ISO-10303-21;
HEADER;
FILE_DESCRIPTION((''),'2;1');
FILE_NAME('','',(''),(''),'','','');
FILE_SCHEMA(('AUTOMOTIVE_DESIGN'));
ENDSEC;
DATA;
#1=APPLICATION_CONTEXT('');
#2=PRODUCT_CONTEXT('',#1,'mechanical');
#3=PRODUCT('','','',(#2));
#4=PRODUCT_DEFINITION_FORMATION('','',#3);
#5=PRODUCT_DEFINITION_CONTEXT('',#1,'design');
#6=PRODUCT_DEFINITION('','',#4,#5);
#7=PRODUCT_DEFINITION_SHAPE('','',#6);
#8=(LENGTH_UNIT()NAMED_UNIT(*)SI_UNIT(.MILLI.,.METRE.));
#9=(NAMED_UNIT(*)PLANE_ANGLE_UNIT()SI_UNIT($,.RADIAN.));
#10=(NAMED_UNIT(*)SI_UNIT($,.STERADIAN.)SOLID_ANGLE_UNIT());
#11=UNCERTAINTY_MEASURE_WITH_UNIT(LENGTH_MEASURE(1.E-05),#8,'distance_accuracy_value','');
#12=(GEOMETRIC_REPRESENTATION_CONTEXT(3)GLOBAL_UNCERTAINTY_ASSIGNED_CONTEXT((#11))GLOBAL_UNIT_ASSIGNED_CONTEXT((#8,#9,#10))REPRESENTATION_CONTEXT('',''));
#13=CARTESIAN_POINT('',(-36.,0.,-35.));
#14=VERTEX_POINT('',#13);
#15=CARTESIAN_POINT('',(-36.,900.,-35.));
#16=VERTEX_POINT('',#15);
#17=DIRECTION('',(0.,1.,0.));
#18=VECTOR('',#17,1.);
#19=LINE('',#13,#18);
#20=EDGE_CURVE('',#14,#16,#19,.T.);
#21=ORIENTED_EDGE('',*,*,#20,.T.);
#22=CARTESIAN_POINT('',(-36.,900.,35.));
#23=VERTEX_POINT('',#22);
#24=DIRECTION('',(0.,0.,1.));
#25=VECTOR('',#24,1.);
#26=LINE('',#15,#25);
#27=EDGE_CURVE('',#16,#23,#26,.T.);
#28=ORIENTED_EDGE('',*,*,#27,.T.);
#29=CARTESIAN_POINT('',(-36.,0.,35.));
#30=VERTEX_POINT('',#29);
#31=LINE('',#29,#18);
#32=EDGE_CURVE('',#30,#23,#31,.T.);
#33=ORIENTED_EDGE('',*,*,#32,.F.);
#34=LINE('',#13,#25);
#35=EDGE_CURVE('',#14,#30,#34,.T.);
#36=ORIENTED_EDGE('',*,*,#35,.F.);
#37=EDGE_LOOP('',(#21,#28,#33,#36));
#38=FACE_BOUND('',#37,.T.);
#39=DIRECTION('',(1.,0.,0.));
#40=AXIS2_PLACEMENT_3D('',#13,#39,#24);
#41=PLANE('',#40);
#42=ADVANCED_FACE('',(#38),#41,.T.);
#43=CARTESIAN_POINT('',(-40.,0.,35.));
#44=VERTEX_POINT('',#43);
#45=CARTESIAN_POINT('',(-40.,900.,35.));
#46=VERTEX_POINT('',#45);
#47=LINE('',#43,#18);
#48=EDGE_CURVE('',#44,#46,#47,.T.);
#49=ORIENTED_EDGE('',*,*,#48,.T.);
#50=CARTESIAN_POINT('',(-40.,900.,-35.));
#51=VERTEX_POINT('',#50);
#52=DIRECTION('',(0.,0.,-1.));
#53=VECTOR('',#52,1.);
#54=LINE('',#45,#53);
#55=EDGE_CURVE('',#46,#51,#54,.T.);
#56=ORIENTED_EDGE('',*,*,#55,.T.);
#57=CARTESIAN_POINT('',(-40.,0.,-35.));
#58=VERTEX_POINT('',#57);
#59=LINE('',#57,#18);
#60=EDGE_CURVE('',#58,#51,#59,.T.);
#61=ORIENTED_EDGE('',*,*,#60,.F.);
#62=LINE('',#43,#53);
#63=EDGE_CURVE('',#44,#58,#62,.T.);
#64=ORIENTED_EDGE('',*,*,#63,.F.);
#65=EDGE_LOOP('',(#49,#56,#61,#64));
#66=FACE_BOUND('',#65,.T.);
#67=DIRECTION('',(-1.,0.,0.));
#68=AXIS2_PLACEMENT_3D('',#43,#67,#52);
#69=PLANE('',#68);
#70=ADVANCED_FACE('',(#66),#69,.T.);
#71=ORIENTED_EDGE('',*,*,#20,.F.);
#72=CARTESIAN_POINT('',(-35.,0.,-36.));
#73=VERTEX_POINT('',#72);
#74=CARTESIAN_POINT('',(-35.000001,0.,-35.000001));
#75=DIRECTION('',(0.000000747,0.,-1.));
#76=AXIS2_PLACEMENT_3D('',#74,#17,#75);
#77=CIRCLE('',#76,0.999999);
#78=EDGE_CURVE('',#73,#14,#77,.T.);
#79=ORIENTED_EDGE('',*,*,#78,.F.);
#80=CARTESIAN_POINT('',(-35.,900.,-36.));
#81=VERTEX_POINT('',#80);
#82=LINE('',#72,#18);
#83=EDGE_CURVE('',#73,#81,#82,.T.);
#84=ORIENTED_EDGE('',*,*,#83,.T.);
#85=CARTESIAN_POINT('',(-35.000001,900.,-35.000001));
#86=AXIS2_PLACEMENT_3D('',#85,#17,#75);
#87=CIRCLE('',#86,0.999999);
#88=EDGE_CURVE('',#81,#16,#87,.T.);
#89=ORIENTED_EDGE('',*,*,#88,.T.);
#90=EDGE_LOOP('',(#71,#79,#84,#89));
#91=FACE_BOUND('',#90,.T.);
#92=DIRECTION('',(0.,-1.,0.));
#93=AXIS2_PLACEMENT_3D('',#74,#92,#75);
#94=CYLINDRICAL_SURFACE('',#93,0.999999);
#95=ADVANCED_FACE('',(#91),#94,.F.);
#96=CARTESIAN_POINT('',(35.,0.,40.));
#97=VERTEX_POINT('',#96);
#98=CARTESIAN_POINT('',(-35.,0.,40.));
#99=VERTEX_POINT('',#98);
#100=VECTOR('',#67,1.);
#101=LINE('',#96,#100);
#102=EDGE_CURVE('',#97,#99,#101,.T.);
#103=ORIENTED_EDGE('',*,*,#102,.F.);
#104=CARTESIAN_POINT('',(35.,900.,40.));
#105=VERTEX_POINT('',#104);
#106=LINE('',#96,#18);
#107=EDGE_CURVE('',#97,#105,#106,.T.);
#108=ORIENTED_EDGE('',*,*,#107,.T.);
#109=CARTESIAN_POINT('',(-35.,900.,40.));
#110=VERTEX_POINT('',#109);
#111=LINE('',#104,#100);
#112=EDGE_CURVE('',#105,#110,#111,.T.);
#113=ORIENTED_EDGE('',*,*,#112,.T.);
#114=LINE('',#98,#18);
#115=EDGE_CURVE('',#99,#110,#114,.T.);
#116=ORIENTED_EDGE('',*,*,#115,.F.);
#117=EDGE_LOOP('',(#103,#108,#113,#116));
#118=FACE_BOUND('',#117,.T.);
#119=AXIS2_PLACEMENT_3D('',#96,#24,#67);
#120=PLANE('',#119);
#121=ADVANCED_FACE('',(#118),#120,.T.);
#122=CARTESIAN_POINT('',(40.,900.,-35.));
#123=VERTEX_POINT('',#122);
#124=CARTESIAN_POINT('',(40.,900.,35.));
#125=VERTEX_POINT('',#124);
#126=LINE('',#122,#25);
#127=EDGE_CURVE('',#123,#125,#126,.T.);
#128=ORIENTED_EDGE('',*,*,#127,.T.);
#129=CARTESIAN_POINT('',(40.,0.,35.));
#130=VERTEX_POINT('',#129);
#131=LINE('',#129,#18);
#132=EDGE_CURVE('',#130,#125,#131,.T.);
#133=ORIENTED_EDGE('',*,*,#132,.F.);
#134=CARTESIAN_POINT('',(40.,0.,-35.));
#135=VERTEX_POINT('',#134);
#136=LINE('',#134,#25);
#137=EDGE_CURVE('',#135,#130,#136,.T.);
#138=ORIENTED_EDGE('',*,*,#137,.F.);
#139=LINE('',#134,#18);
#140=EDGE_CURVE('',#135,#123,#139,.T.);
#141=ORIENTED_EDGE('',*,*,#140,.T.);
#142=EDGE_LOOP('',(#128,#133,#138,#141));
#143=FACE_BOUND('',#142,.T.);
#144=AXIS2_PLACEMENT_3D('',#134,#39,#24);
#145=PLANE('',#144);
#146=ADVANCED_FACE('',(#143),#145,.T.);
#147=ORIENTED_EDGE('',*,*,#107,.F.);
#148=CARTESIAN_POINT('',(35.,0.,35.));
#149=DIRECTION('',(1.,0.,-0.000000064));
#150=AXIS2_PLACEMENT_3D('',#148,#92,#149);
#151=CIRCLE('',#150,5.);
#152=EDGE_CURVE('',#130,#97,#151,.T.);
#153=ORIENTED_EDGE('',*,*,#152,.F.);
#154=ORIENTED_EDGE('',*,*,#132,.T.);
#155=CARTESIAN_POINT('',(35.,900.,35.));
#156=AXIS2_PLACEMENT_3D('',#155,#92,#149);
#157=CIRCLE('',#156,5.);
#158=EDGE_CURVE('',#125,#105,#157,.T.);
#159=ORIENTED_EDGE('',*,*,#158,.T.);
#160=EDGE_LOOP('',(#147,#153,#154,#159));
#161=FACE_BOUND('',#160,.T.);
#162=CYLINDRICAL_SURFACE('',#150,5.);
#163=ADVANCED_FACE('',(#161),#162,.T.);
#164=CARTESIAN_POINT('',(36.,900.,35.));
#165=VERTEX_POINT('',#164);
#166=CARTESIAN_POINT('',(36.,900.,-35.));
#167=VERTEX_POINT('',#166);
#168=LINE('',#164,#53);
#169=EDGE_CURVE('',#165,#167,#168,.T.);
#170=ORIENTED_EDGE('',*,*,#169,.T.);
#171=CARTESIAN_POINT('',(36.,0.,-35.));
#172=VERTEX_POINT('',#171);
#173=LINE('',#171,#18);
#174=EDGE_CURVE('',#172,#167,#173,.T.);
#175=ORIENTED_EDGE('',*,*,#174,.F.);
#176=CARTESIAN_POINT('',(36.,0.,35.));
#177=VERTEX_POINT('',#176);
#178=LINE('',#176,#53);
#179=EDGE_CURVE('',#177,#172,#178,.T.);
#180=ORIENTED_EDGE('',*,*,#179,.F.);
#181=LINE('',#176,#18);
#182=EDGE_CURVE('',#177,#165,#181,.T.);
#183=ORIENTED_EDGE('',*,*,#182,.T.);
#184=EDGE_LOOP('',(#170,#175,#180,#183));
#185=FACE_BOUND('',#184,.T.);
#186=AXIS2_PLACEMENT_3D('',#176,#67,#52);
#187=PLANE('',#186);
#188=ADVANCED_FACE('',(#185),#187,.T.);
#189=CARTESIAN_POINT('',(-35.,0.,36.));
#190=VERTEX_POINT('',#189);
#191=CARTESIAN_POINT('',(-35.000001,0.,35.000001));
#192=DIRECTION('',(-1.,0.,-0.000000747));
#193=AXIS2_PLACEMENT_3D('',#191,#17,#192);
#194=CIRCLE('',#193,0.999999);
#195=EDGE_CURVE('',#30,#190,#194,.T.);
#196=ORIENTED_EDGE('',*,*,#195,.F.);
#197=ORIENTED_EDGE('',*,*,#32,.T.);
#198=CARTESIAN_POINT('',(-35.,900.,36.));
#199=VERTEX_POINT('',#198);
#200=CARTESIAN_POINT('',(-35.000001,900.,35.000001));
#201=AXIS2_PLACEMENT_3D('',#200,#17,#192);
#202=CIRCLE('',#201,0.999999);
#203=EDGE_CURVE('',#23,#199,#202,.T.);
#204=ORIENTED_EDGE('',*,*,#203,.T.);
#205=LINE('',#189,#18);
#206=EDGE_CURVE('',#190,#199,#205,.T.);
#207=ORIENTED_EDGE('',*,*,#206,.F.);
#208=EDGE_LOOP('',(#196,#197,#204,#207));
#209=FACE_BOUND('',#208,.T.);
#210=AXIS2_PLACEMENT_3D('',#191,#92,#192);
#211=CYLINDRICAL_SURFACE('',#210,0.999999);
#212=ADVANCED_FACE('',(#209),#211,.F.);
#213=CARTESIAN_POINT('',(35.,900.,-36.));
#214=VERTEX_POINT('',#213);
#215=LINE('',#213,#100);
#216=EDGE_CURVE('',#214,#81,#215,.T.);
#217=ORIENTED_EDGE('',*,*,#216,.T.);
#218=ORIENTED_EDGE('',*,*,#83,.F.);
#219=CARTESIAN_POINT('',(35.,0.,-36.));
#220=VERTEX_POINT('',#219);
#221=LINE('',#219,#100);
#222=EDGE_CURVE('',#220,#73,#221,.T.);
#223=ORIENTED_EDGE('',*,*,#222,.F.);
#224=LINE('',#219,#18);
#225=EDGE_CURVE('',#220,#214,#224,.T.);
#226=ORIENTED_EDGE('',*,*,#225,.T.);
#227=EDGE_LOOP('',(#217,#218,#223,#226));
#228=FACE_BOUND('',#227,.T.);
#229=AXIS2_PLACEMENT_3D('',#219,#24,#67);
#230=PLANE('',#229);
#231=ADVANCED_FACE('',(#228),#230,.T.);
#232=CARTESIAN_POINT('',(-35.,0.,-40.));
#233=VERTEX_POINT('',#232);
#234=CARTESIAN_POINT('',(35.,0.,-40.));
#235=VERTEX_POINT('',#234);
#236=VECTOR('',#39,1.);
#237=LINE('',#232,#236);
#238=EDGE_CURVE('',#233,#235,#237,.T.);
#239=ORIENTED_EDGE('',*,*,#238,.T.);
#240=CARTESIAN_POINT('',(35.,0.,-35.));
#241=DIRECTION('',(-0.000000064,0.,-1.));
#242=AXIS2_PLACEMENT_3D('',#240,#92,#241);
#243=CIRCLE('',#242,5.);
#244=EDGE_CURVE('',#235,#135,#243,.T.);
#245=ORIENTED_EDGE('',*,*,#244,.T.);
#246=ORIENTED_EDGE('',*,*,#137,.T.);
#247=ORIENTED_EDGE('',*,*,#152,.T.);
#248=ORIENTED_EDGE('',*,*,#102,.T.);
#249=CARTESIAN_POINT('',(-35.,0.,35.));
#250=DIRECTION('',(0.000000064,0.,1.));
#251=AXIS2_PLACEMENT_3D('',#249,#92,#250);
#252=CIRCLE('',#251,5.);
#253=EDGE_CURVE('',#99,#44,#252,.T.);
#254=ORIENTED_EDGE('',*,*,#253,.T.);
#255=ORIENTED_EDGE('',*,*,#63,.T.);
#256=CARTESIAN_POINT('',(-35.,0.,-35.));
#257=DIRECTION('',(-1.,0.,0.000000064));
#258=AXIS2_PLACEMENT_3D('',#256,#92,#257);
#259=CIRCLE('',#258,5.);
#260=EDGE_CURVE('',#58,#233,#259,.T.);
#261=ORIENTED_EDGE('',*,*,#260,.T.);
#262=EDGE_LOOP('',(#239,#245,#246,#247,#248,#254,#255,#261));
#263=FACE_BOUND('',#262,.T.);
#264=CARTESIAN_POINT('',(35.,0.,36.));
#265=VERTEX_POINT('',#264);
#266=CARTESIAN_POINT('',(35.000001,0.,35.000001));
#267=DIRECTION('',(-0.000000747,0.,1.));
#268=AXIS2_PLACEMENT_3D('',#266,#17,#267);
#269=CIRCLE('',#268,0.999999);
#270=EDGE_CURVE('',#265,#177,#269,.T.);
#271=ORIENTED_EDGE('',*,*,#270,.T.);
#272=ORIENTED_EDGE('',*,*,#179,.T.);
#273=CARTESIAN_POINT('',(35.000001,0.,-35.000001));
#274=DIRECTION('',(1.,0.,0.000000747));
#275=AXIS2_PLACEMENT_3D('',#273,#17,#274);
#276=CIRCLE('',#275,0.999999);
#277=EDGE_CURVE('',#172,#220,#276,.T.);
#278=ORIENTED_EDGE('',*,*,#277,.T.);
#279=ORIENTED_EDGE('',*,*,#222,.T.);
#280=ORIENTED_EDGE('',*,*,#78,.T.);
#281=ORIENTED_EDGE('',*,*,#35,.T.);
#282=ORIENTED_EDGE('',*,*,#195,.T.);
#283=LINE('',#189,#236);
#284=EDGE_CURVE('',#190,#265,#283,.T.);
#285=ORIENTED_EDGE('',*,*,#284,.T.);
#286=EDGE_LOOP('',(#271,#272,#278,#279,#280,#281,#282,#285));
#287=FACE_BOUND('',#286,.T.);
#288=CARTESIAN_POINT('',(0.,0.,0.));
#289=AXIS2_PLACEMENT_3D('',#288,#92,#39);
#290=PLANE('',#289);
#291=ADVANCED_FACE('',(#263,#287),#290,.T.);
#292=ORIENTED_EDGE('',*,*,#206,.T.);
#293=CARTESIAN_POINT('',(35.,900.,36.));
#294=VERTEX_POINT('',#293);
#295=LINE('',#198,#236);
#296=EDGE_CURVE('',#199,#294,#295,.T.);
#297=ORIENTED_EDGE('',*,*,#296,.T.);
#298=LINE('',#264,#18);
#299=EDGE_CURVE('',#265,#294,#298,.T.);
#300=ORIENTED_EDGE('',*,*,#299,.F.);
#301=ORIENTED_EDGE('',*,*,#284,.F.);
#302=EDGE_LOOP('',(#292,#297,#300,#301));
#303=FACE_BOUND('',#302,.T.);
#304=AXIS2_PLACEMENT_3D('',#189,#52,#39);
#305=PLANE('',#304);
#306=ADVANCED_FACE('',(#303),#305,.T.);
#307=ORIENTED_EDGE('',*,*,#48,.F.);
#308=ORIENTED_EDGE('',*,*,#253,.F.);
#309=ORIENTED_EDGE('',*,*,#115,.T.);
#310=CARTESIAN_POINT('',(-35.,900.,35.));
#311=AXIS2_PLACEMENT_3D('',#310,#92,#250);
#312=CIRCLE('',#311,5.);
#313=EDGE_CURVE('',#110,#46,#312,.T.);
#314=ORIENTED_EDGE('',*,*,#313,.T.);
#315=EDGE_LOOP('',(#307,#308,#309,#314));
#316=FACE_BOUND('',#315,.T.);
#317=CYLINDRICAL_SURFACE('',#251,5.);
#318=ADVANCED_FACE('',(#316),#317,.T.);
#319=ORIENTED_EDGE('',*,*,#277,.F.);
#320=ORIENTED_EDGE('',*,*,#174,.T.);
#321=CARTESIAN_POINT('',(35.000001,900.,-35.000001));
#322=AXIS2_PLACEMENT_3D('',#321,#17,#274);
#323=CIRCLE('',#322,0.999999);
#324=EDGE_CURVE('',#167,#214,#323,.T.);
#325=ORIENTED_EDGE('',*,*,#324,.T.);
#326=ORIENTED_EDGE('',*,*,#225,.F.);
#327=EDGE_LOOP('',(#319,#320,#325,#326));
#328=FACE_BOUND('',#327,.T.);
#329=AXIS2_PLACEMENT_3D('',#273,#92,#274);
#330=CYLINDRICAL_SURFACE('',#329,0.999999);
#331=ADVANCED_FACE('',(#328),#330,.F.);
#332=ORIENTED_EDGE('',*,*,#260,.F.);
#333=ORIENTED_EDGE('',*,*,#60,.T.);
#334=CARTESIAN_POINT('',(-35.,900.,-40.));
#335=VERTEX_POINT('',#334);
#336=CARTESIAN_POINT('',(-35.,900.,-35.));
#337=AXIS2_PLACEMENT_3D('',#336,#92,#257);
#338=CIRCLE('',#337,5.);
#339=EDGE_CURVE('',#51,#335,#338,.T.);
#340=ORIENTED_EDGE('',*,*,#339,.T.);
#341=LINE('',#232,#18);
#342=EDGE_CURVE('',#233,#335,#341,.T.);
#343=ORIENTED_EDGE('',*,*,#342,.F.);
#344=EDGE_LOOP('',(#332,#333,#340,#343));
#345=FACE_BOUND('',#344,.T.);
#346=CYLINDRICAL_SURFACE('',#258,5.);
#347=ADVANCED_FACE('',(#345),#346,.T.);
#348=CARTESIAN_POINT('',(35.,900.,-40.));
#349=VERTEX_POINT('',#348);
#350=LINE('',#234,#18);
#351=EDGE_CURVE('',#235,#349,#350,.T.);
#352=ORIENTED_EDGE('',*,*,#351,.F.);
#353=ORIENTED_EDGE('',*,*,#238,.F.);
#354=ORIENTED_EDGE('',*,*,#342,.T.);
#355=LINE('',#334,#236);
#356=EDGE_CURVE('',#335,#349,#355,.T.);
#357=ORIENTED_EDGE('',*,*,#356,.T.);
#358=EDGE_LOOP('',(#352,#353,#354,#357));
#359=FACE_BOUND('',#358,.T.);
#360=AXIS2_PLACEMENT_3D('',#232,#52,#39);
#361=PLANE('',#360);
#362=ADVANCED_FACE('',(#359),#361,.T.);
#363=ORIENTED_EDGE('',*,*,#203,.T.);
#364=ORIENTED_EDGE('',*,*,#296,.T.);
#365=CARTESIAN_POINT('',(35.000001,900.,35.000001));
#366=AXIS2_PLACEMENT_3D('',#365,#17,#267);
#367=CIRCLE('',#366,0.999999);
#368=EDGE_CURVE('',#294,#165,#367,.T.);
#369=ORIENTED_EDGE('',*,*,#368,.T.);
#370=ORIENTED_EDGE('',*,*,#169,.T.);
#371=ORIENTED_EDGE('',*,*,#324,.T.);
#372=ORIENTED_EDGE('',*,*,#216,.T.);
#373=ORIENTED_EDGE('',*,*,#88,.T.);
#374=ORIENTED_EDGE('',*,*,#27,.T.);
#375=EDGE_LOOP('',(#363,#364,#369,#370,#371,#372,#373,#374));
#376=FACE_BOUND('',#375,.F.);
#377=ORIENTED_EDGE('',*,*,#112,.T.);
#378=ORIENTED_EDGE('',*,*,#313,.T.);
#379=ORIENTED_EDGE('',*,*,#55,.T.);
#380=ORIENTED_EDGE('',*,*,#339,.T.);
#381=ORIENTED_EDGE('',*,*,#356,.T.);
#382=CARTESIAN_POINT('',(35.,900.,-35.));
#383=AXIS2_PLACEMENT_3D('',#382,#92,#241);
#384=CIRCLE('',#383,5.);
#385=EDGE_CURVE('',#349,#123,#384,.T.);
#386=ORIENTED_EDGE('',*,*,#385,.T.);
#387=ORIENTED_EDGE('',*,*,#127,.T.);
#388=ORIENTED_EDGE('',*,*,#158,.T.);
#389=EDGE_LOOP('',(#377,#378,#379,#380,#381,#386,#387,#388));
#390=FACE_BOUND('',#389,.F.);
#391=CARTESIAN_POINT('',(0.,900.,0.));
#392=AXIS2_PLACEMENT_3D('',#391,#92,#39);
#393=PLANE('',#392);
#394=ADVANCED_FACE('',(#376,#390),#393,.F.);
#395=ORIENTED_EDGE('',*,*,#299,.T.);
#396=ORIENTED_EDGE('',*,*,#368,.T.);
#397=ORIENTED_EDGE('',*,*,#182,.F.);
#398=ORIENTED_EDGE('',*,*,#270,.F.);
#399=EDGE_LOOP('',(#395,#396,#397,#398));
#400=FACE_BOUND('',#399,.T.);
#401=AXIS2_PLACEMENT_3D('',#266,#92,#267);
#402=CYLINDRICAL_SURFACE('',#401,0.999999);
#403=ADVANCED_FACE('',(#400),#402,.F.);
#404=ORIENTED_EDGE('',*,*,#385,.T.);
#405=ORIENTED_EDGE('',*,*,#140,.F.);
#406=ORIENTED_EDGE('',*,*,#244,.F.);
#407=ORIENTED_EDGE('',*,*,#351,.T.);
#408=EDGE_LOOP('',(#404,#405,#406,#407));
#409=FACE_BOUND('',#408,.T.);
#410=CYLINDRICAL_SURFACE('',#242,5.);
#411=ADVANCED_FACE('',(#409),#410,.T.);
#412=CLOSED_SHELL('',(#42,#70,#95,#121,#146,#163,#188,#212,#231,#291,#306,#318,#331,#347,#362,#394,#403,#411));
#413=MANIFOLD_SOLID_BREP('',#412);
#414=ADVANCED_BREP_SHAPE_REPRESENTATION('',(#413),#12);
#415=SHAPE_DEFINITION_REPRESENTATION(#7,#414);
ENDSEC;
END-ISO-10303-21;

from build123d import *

# Parameters (mm, degrees)
F1_DEPTH = 900


with BuildPart() as f1:
    # F0 (on Front) → F1 (new body)
    with BuildSketch(Plane.XZ):
        with BuildLine():
            ThreePointArc((40, 35), (38.535534, 38.535534), (35, 40))
            Line((35, 40), (-35, 40))
            ThreePointArc((-35, 40), (-38.535534, 38.535534), (-40, 35))
            Line((-40, 35), (-40, -35))
            ThreePointArc((-40, -35), (-38.535534, -38.535534), (-35, -40))
            Line((-35, -40), (35, -40))
            ThreePointArc((35, -40), (38.535534, -38.535534), (40, -35))
            Line((40, -35), (40, 35))
        make_face()
        with BuildLine():
            ThreePointArc((-36, 35), (-35.707107, 35.707107), (-35, 36))
            Line((-35, 36), (35, 36))
            ThreePointArc((35, 36), (35.707107, 35.707107), (36, 35))
            Line((36, 35), (36, -35))
            ThreePointArc((36, -35), (35.707107, -35.707107), (35, -36))
            Line((35, -36), (-35, -36))
            ThreePointArc((-35, -36), (-35.707107, -35.707107), (-36, -35))
            Line((-36, -35), (-36, 35))
        make_face(mode=Mode.SUBTRACT)
    extrude(amount=-F1_DEPTH)


solid = f1.part
